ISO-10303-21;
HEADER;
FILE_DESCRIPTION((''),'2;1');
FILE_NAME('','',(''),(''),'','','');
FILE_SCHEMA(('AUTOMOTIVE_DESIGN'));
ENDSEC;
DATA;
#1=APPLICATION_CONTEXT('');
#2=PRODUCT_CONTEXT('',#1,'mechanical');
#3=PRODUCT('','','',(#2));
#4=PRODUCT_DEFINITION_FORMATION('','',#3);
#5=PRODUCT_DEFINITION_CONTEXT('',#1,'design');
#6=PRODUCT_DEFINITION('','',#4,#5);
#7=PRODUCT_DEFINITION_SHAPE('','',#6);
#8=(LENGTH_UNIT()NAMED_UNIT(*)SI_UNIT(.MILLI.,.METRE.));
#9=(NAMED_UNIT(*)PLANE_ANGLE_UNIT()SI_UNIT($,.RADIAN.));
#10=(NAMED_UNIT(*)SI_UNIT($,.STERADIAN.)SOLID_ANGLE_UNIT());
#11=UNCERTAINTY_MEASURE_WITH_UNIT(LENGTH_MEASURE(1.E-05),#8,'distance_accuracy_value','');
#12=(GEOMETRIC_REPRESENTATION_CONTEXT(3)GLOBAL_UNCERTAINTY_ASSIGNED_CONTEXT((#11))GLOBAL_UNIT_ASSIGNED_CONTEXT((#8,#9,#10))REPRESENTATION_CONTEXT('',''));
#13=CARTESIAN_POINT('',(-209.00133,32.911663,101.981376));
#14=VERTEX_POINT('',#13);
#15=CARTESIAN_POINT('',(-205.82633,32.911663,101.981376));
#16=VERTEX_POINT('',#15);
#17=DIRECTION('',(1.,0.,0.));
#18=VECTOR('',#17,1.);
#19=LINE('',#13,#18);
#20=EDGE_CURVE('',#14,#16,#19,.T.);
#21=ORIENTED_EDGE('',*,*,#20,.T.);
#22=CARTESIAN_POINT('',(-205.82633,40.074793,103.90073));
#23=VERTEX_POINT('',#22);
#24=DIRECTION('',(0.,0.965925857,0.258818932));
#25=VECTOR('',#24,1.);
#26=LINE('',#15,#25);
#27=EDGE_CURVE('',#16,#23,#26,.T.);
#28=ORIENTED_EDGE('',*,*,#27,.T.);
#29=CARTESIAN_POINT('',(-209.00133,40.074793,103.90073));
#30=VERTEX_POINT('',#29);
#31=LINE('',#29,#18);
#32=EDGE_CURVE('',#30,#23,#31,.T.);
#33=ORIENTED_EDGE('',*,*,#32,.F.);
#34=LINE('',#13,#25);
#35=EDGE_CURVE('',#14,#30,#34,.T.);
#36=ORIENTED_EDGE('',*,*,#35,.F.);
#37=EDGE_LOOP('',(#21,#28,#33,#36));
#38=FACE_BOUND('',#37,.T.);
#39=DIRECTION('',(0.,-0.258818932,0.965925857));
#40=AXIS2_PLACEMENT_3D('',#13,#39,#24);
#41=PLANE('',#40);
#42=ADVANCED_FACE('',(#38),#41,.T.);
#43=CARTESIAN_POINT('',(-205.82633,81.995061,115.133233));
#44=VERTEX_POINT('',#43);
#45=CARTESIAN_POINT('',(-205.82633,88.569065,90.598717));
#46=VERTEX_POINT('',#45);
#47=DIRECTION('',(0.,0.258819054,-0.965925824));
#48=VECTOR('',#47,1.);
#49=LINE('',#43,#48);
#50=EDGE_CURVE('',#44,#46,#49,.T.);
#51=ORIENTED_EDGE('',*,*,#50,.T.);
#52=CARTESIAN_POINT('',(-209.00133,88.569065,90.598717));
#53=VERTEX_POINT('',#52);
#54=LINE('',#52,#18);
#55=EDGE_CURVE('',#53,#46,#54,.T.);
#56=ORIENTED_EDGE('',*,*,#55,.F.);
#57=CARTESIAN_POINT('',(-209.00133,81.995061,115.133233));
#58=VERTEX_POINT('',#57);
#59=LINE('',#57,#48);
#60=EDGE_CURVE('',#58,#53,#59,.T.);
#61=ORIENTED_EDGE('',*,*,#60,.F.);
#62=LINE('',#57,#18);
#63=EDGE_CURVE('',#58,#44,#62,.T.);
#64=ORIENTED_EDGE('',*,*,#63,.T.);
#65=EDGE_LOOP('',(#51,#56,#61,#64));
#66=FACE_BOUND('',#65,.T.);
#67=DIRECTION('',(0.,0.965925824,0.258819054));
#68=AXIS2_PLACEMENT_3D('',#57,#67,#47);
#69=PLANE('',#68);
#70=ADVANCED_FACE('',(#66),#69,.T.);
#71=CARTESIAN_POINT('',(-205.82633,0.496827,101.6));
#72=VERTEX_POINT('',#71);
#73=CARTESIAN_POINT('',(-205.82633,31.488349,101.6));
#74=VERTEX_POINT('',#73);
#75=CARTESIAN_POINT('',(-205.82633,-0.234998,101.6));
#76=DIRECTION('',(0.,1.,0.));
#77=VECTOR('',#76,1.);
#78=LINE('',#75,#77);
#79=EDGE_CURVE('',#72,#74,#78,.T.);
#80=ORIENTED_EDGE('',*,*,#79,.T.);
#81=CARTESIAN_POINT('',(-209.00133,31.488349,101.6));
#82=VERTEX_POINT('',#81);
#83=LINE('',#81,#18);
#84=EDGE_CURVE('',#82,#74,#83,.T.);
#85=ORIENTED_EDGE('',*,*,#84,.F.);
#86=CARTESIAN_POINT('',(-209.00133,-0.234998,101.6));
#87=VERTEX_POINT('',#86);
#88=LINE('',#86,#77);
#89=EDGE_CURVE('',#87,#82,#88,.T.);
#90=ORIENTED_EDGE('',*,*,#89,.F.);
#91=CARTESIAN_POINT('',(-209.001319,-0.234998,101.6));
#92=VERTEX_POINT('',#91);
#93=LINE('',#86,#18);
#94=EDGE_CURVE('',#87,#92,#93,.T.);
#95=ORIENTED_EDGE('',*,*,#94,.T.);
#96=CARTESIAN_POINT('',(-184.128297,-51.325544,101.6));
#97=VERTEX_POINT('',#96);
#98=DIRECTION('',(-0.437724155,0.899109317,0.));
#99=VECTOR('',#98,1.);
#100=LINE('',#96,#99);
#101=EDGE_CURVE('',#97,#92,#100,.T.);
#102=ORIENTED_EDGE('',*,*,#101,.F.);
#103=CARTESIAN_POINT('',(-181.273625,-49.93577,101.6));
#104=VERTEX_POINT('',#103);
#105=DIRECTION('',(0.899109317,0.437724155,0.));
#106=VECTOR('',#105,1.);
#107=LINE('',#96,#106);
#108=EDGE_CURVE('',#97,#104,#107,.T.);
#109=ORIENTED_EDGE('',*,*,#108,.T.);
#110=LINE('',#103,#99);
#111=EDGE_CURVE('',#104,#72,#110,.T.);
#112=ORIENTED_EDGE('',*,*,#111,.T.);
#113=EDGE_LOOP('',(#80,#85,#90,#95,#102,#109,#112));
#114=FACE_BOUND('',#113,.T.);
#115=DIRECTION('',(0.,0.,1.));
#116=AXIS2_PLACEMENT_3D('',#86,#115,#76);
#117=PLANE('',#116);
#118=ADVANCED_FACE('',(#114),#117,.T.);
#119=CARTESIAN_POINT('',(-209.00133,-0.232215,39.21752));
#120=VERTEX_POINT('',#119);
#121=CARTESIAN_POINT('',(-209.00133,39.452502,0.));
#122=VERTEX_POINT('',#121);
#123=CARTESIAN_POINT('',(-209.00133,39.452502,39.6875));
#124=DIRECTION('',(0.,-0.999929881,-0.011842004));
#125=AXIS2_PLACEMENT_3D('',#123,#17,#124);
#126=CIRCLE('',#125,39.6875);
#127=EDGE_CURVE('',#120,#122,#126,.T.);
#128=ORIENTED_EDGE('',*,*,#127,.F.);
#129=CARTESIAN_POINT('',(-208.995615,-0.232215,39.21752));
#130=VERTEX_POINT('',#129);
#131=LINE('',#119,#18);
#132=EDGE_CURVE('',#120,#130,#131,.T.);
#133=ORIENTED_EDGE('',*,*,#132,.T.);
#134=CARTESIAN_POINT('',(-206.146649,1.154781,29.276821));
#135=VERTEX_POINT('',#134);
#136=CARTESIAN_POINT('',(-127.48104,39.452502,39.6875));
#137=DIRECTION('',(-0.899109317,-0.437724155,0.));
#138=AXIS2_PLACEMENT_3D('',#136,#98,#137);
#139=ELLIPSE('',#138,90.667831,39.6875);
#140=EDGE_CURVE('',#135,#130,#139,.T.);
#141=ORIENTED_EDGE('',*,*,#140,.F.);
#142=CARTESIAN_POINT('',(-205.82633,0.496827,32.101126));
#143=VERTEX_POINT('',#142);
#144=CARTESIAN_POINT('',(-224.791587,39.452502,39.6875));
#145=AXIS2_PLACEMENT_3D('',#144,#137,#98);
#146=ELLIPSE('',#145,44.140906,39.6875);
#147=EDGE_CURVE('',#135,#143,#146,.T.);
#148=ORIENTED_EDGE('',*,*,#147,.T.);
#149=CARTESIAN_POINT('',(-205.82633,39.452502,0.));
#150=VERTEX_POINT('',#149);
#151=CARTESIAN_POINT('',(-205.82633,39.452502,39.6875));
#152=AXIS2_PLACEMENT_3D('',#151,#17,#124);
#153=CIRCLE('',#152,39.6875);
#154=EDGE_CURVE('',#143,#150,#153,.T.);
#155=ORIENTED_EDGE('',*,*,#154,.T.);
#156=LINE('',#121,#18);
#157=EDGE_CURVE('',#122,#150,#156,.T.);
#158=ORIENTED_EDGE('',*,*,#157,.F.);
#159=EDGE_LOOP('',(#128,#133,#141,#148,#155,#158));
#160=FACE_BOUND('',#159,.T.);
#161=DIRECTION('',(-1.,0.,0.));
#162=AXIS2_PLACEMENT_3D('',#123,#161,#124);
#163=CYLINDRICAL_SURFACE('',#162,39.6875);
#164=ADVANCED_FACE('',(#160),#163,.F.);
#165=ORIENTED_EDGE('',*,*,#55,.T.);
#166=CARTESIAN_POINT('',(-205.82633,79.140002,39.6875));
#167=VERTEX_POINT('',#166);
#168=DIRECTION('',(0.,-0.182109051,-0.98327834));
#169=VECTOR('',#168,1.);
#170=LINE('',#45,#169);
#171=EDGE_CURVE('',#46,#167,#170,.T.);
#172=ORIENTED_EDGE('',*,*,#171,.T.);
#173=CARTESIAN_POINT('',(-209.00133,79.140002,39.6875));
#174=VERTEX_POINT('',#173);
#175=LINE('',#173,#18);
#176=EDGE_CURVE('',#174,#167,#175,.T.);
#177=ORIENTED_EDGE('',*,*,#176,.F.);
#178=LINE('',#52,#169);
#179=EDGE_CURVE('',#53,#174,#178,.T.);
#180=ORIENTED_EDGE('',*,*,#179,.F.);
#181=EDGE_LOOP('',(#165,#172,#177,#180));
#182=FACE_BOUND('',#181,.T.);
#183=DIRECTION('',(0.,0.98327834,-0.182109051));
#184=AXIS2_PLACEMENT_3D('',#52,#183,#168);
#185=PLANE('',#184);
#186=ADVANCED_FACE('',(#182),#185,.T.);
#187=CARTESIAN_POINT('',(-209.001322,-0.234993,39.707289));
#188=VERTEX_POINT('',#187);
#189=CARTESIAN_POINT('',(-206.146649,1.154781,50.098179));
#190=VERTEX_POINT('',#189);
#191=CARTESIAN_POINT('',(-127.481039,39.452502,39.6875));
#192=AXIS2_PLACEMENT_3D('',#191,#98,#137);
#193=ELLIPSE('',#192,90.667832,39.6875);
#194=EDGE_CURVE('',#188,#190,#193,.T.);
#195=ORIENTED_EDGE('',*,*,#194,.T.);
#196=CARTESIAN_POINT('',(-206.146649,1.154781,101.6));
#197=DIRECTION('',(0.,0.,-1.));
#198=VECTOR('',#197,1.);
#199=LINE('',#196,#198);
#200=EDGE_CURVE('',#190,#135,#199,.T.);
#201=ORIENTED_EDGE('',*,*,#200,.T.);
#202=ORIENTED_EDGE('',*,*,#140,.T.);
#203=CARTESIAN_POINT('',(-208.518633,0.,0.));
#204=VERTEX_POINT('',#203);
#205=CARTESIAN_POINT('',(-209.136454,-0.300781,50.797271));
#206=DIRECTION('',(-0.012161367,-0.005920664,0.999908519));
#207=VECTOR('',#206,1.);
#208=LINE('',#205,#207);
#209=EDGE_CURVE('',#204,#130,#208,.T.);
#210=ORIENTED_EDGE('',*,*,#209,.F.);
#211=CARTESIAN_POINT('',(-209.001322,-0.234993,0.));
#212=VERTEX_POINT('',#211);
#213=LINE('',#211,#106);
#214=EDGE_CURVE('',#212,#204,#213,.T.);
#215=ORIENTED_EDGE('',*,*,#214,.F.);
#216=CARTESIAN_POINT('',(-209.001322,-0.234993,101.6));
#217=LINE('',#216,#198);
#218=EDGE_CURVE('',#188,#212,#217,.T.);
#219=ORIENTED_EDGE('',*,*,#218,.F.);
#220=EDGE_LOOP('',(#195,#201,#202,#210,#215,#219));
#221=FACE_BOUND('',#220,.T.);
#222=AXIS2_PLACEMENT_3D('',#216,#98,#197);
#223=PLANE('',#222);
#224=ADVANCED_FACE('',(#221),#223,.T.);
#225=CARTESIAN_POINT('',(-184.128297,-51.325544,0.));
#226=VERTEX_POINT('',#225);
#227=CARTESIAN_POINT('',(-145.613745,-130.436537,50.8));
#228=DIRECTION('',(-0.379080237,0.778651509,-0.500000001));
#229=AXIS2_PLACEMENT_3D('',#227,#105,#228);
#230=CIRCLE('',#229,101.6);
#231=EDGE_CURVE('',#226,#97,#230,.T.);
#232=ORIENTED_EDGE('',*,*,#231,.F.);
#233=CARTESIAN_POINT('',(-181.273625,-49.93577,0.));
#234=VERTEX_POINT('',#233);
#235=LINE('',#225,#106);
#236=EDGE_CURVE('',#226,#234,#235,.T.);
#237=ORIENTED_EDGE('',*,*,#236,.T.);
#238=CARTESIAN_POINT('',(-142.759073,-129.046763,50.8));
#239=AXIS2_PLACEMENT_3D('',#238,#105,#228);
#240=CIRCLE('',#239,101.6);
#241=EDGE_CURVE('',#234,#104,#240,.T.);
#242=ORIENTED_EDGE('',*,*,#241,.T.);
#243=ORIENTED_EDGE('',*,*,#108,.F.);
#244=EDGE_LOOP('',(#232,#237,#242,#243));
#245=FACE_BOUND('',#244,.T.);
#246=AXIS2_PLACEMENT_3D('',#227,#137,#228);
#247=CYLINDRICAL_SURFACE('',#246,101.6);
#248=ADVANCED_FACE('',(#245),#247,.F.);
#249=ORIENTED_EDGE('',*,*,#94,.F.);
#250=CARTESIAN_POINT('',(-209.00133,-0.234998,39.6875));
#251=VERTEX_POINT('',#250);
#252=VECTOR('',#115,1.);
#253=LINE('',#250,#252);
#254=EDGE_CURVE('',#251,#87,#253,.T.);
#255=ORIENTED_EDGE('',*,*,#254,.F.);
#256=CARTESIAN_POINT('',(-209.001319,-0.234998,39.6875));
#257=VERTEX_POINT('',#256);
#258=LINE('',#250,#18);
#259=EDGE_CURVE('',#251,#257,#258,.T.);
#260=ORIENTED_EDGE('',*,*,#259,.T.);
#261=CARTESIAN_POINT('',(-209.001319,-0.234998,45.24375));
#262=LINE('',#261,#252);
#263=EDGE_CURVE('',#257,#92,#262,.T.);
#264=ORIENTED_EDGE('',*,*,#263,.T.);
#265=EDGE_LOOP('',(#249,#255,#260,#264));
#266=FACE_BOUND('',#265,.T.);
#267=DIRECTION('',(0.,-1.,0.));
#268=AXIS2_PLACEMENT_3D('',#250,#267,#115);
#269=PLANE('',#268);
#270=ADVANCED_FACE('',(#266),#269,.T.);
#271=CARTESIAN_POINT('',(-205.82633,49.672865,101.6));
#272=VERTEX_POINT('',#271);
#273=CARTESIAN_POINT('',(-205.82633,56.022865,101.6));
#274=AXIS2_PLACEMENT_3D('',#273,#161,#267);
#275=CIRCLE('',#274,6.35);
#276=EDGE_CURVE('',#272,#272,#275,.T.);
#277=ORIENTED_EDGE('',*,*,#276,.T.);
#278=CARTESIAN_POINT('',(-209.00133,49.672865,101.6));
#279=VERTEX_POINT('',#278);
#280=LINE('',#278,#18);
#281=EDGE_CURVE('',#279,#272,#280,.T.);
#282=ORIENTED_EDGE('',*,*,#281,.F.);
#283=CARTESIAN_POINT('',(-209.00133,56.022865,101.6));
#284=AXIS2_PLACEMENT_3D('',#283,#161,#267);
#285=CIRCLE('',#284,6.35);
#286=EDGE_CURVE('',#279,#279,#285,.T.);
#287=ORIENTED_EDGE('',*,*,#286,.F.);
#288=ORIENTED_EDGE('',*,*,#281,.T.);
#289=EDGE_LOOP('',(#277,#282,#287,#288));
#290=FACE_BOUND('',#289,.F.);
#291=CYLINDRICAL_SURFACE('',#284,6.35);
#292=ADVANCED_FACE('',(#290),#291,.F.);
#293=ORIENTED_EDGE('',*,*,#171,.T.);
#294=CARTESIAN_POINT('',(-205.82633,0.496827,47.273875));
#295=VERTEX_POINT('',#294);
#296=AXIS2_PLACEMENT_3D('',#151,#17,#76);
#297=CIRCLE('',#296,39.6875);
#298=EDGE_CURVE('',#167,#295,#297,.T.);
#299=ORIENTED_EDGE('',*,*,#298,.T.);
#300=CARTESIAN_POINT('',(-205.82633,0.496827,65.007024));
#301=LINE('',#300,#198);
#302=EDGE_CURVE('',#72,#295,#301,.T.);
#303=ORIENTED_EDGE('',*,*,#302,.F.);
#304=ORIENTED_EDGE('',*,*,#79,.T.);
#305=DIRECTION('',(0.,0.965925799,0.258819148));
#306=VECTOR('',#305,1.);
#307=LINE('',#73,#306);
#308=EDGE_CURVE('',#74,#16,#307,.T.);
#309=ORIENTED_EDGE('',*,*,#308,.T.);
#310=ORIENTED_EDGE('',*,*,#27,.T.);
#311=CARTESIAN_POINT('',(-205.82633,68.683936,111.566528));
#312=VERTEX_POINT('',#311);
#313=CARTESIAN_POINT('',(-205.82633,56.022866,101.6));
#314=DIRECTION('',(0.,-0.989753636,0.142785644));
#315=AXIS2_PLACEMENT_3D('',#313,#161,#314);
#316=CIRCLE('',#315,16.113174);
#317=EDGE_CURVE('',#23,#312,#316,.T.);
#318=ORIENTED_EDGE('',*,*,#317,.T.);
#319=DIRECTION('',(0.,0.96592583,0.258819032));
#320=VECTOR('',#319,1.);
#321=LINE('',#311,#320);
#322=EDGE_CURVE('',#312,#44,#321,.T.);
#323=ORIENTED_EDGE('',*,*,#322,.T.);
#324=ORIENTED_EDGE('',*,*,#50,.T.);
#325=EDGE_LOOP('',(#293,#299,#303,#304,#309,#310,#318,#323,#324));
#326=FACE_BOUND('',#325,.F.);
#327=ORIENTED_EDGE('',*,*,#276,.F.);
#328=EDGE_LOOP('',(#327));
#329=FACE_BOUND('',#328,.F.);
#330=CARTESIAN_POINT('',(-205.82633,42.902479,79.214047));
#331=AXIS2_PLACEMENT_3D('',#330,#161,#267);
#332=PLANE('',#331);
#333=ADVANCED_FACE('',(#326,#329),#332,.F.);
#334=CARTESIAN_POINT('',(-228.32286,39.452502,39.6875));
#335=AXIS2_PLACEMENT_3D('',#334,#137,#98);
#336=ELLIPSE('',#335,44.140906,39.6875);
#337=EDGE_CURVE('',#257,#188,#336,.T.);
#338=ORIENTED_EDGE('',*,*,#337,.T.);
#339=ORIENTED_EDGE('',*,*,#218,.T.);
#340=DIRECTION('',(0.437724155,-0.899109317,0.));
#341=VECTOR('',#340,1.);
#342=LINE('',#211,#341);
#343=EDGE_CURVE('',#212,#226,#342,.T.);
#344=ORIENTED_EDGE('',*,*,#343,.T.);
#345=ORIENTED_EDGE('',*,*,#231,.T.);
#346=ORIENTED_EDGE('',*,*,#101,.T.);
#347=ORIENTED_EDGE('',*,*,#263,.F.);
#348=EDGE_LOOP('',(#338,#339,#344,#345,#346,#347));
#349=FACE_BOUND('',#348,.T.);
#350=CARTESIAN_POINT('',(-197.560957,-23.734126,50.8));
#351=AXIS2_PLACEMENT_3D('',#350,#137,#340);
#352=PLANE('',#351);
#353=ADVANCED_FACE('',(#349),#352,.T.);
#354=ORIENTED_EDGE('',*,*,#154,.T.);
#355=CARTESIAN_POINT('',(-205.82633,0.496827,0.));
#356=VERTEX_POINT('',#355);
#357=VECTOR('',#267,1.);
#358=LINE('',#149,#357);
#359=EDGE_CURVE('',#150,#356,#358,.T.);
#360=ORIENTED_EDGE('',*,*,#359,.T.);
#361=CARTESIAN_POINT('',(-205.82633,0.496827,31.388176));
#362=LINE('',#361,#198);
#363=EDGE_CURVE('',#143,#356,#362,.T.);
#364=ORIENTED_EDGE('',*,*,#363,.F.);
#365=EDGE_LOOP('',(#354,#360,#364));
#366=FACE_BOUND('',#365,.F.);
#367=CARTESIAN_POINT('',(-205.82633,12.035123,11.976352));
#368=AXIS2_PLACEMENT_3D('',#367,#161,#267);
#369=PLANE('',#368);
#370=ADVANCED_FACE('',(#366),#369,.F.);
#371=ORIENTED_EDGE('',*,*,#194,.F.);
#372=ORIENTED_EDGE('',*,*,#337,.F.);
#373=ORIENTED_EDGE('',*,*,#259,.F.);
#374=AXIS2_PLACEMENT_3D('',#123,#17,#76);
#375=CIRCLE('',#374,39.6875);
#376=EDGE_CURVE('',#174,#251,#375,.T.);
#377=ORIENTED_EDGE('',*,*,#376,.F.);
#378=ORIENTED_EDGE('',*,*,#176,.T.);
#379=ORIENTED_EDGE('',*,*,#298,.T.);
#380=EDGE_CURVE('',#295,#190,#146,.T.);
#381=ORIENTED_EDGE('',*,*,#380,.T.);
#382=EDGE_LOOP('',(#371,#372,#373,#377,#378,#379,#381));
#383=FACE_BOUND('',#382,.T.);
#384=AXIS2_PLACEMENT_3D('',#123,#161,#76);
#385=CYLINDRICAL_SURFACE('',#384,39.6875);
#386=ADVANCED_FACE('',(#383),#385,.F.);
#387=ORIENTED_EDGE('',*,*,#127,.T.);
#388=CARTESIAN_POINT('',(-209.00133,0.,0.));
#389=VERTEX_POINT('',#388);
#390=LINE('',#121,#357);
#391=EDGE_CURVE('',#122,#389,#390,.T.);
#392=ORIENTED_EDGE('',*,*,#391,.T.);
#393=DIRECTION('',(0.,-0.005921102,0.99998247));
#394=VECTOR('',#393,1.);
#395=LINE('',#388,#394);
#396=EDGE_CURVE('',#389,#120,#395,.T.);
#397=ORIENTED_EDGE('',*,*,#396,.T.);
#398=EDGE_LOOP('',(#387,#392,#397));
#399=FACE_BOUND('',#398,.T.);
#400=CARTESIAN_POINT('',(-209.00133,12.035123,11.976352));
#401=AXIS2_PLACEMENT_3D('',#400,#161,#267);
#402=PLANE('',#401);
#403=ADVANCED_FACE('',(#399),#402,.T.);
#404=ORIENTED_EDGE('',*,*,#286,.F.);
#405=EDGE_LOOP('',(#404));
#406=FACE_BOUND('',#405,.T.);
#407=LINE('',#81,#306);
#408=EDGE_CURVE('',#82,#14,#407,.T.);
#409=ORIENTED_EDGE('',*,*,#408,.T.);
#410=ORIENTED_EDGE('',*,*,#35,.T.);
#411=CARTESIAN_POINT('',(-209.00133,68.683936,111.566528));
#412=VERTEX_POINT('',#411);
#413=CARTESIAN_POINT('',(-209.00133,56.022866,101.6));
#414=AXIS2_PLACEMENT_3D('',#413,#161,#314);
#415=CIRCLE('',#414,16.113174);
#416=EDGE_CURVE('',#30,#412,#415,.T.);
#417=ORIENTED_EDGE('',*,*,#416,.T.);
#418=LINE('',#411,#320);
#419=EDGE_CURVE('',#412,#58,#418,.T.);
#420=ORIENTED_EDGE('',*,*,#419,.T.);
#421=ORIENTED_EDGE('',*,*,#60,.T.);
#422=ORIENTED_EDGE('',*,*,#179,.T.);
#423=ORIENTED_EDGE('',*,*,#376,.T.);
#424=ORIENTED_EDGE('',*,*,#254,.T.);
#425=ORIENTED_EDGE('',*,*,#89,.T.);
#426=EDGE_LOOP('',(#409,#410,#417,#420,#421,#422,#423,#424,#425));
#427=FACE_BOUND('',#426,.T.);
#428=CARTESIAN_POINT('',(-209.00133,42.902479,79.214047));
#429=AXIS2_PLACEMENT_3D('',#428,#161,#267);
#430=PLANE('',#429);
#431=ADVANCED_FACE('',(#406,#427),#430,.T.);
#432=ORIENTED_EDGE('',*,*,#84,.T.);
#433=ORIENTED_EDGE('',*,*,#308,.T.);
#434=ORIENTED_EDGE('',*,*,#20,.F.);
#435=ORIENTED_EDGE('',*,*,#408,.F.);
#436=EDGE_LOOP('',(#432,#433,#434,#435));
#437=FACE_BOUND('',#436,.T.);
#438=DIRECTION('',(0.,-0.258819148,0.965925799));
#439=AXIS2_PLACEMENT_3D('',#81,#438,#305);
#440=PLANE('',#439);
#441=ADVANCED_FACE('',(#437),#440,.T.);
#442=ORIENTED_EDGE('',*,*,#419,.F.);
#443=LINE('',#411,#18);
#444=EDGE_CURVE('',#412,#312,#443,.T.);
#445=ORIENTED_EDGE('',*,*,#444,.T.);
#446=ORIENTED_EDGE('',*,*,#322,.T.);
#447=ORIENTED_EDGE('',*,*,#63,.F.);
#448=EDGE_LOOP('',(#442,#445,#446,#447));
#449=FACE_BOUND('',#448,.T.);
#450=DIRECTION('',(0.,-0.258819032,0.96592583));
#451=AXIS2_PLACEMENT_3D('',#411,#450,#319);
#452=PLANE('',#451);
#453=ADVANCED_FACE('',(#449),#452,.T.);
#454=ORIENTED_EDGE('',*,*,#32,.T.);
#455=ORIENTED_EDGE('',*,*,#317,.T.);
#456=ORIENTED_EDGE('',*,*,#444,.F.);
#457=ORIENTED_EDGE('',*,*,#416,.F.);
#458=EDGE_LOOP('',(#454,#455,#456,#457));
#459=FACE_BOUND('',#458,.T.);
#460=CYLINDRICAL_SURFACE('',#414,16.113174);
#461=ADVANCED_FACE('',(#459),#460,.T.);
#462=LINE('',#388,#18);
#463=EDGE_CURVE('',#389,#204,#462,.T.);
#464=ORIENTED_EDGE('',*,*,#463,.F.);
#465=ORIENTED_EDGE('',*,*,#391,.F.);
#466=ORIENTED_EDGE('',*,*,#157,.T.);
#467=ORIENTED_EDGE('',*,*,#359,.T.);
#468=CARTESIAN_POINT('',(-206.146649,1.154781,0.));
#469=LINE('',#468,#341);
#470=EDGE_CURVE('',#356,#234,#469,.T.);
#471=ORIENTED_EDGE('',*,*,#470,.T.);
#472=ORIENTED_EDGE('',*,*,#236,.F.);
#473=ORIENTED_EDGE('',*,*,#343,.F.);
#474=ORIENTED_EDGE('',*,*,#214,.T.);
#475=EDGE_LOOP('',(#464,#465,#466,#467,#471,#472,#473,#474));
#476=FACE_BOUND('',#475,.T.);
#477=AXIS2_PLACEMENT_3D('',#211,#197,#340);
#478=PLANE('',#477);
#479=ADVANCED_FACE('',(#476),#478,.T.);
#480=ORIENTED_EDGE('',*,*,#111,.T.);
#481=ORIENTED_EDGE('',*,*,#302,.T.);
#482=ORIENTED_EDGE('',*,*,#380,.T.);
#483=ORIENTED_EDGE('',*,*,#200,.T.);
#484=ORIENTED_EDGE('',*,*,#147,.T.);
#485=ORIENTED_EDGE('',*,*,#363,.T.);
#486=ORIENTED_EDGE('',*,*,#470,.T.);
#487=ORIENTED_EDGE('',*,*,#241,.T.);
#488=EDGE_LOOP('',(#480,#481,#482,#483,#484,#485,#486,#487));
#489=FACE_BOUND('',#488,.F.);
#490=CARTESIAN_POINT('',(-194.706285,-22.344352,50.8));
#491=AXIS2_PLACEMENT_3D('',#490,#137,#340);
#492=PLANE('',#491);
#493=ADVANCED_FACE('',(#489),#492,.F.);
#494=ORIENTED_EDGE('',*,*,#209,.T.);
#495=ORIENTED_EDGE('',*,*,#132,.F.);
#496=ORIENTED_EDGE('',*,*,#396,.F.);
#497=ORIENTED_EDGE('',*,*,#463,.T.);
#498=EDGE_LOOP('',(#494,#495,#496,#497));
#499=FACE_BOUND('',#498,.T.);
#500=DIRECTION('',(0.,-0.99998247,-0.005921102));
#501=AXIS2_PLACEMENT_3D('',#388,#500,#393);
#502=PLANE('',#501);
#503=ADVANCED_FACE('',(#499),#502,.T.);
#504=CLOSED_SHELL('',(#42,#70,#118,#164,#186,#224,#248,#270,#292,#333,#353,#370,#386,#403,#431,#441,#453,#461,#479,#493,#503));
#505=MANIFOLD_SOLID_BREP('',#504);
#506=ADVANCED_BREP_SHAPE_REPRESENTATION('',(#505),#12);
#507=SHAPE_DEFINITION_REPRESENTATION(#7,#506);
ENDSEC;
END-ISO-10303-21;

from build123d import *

# Parameters (mm, degrees)
F4_DEPTH = 3.175
F5_R     = 6.35
F6_DEPTH = 3.175


with BuildPart() as f4:
    # F2 (on face) → F4 (new body)
    with BuildSketch(Plane(origin=(-169.048635, -82.299993, 0), x_dir=(0.437724, -0.899109, 0), z_dir=(-0.899109, -0.437724, 0))):
        with BuildLine():
            Line((-34.450148, 101.6), (-91.273662, 101.6))
            Line((-91.273662, 101.6), (-91.273662, 0))
            Line((-91.273662, 0), (-34.450148, 0))
            ThreePointArc((-34.450148, 0), (-48.061967, 50.8), (-34.450148, 101.6))
        make_face()
    extrude(amount=-F4_DEPTH)

    # F5 (on face) → F6 (join)
    with BuildSketch(Plane(origin=(-209.00133, 0, 0), x_dir=(0, -1, 0), z_dir=(-1, 0, 0))):
        with BuildLine():
            ThreePointArc((-79.140002, 39.6875), (-39.452502, 79.375), (0.234998, 39.6875))
            Line((0.234998, 39.6875), (0.234998, 101.6))
            Line((0.234998, 101.6), (-31.488349, 101.6))
            Line((-31.488349, 101.6), (-32.911663, 101.981376))
            Line((-32.911663, 101.981376), (-40.074793, 103.90073))
            ThreePointArc((-40.074793, 103.90073), (-51.852469, 117.164131), (-68.683936, 111.566528))
            Line((-68.683936, 111.566528), (-81.995061, 115.133233))
            Line((-81.995061, 115.133233), (-88.569065, 90.598717))
            Line((-88.569065, 90.598717), (-79.140002, 39.6875))
        make_face()
        with Locations((-56.022865, 101.6)):
            Circle(F5_R, mode=Mode.SUBTRACT)
        with BuildLine():
            Line((0, 0), (0.232215, 39.21752))
            ThreePointArc((0.232215, 39.21752), (-11.555859, 11.458526), (-39.452502, 0))
            Line((-39.452502, 0), (0, 0))
        make_face()
    extrude(amount=-F6_DEPTH)


solid = f4.part
